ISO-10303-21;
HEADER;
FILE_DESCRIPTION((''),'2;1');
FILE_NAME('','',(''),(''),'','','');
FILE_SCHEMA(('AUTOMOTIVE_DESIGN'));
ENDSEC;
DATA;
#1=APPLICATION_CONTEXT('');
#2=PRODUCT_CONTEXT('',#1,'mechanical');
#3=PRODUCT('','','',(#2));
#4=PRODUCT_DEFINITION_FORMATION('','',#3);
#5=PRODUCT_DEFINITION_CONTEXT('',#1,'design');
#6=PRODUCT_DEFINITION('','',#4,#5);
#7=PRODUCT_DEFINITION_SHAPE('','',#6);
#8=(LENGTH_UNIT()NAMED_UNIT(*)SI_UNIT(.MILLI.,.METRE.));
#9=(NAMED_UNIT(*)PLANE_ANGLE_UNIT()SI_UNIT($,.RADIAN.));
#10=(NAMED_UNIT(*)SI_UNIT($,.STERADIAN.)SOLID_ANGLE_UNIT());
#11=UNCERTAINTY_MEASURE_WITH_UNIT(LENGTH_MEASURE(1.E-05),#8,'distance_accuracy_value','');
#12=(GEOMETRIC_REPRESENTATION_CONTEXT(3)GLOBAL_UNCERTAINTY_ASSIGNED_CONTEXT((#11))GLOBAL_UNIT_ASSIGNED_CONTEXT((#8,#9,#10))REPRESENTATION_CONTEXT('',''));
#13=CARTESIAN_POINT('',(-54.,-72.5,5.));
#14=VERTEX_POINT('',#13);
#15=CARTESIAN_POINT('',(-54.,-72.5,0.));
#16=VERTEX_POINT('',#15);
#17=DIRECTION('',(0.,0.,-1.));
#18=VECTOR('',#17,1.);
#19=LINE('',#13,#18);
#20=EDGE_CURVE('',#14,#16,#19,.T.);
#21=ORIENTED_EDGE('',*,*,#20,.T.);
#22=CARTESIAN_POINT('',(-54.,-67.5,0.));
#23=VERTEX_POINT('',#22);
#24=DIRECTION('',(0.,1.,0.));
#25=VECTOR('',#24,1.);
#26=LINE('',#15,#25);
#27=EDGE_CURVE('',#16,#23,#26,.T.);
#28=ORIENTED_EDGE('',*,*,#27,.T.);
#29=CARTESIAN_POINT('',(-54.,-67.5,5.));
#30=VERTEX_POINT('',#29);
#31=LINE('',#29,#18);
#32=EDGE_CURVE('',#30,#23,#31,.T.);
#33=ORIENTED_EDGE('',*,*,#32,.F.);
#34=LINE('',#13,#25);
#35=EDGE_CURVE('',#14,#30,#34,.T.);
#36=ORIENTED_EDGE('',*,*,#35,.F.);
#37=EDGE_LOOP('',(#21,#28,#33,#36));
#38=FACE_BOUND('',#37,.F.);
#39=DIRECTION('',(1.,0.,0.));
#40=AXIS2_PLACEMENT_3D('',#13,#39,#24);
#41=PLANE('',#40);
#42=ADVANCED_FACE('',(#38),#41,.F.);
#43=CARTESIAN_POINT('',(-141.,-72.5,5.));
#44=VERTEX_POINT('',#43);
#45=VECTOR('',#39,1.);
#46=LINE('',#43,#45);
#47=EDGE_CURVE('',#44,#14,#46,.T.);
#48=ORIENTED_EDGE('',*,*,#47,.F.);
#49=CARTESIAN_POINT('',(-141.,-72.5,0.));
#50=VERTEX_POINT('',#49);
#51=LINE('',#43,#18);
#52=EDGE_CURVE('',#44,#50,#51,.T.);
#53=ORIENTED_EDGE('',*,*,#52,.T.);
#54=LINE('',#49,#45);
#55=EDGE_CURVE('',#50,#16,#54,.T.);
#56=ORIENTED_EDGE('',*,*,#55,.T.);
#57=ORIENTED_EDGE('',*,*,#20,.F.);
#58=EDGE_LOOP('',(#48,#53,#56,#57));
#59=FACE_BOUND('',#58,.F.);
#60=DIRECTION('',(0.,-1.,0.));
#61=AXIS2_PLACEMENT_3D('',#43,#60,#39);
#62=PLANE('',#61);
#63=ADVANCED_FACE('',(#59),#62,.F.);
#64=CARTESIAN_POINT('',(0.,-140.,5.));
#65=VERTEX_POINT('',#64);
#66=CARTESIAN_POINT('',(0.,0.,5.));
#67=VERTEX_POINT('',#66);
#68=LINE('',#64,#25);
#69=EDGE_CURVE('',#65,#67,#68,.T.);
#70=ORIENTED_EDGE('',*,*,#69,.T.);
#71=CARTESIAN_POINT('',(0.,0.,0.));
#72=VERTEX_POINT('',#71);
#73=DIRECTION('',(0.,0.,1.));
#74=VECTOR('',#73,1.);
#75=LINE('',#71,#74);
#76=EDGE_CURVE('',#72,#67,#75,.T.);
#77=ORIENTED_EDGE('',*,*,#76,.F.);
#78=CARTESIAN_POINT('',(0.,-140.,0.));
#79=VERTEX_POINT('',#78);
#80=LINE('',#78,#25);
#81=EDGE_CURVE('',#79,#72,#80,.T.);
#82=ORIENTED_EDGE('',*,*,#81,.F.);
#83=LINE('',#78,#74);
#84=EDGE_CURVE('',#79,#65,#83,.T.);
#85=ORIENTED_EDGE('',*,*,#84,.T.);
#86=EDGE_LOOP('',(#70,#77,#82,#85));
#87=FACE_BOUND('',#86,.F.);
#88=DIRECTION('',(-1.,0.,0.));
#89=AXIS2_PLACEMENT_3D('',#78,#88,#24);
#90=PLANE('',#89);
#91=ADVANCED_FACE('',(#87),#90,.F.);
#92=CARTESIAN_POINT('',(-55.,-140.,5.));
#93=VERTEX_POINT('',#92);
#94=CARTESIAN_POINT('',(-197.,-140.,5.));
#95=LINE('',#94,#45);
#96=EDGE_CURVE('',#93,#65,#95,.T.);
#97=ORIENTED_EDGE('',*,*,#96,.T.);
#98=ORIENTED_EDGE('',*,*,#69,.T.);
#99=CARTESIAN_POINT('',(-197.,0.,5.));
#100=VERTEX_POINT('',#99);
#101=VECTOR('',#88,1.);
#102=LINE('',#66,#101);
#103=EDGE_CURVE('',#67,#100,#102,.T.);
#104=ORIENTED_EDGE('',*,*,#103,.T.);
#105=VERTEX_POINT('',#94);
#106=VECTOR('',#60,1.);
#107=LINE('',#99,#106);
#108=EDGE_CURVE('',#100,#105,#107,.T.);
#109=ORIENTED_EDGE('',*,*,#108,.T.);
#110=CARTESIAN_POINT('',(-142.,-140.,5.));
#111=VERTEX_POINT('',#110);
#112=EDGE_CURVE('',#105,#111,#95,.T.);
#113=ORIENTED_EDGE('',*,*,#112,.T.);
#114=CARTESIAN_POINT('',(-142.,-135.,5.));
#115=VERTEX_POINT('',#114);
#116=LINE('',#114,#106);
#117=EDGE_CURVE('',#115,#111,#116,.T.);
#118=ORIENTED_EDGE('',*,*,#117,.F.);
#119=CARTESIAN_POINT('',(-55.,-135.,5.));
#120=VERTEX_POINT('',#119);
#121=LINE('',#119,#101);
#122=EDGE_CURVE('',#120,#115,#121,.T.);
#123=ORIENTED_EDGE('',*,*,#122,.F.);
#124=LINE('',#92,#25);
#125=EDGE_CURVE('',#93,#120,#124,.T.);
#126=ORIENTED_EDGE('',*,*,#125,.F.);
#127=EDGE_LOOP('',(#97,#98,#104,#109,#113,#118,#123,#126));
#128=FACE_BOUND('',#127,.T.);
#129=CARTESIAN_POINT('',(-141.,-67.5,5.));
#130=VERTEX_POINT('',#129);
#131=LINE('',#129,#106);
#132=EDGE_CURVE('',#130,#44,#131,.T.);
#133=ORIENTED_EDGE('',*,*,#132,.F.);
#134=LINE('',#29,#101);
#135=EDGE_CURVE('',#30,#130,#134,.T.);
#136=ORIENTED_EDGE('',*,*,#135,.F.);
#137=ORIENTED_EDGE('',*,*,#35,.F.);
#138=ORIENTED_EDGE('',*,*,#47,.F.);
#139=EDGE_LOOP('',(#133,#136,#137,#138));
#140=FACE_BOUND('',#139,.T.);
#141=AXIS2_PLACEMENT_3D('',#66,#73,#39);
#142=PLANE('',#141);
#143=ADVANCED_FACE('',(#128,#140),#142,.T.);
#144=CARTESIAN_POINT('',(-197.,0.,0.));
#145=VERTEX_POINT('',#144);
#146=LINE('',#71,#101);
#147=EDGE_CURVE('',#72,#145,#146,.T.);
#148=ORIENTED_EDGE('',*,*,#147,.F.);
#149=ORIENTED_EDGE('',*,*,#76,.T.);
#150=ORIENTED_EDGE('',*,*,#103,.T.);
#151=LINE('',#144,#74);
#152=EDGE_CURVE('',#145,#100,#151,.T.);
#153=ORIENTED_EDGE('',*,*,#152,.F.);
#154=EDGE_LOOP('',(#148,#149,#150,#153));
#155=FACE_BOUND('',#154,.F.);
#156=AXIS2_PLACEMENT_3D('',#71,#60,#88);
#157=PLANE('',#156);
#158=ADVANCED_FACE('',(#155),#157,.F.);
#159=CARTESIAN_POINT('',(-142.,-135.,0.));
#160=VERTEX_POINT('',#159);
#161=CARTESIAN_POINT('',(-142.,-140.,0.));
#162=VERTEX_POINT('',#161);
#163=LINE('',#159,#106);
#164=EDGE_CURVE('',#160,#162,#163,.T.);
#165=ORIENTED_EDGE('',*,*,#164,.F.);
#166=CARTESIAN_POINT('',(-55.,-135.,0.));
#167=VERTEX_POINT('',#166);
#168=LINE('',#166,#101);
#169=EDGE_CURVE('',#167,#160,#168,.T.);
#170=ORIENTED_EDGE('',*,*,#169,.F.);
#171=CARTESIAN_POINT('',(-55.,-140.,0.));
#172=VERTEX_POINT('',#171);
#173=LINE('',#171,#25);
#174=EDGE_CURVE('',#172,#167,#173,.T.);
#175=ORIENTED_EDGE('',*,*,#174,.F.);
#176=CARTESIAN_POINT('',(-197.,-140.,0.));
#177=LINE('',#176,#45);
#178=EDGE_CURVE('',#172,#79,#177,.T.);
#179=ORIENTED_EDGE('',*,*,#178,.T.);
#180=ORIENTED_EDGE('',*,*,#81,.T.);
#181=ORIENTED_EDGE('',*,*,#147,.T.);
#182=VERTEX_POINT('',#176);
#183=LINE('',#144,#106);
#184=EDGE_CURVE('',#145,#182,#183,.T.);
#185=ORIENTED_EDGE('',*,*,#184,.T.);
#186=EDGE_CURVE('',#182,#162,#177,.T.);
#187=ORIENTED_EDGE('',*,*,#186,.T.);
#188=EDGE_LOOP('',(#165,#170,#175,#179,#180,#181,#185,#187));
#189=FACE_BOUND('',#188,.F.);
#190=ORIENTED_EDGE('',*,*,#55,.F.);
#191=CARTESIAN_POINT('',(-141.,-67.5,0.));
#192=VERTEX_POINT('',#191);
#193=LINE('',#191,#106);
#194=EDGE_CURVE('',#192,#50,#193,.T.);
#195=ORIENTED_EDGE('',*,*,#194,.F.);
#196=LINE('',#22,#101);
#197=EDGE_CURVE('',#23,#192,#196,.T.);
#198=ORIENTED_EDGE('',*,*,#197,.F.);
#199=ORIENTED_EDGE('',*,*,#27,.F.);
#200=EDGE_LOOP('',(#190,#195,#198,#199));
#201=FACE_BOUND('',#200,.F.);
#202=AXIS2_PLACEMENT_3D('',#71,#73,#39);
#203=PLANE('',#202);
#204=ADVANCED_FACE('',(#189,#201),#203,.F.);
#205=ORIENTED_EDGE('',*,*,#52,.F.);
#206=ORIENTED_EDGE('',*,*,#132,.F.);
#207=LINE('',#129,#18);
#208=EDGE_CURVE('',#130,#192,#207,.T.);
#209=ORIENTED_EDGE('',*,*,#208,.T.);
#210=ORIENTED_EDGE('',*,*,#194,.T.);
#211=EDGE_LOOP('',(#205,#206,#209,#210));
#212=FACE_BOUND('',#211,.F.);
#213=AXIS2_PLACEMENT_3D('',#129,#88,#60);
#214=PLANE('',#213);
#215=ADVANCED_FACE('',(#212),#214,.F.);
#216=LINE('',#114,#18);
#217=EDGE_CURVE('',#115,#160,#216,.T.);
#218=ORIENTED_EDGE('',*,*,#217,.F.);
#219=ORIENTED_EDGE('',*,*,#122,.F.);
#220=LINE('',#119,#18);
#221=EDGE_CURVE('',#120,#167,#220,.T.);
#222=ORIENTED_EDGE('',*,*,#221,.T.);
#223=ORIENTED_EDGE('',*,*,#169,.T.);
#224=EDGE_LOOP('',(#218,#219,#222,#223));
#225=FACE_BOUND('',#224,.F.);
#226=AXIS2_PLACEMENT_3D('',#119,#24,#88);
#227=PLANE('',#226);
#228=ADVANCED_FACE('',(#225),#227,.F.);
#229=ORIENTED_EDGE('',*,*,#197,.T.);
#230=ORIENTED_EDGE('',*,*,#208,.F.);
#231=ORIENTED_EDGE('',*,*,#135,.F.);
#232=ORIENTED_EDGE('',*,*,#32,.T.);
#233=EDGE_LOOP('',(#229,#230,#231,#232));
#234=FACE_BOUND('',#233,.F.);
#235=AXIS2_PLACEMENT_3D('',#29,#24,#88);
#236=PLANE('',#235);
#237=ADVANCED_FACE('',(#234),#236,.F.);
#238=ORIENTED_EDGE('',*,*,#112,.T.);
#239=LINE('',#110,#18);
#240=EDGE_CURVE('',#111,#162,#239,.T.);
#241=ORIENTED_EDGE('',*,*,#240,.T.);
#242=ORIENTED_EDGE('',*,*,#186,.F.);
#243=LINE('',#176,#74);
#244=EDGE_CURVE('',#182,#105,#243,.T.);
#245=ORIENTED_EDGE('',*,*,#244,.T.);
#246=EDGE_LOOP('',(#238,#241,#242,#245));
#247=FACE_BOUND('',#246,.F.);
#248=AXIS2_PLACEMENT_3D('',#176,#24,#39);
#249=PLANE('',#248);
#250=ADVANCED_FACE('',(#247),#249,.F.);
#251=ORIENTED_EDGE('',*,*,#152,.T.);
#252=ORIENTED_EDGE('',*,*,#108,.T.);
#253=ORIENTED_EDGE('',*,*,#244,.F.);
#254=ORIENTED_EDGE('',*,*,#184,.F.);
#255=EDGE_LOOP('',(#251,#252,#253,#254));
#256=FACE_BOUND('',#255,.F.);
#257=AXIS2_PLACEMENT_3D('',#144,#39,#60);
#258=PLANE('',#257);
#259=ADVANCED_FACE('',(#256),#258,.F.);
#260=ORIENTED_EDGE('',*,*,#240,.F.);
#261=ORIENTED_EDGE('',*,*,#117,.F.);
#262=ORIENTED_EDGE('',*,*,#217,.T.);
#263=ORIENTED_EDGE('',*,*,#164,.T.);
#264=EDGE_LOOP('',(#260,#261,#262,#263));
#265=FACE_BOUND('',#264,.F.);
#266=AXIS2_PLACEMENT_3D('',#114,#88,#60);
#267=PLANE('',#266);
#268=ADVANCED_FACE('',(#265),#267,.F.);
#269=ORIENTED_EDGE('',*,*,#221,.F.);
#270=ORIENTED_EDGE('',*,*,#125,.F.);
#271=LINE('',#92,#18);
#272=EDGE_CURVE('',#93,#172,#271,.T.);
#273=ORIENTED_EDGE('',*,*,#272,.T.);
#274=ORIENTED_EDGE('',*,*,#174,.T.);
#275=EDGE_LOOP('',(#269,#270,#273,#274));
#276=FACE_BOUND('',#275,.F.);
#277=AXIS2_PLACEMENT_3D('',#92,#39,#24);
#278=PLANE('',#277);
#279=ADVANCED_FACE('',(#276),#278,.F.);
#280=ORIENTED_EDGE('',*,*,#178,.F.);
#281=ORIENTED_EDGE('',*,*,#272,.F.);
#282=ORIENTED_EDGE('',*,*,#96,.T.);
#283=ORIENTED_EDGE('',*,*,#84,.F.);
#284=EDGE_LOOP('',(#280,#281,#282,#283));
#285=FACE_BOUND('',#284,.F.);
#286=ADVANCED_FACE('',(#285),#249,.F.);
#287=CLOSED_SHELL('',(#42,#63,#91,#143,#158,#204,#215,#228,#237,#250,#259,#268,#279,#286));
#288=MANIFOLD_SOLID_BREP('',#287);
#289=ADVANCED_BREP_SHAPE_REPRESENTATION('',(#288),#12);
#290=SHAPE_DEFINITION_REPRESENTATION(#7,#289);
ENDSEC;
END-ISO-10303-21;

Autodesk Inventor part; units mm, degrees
ref_plane "YZ Plane" through (0, 0, 0) normal (1, 0, 0) x (0, 1, 0)
ref_plane "XZ Plane" through (0, 0, 0) normal (0, 1, 0) x (-1, 0, 0)
ref_plane "XY Plane" through (0, 0, 0) normal (0, 0, 1) x (1, 0, 0)
sketch "Sketch1" plane through (0, 0, 0) normal (0, 0, 1) x (1, 0, 0)
  line L0 (0, 0) -> (-197, 0)
  line L1 (-197, 0) -> (-197, -140)
  line L2 (-197, -140) -> (0, -140)
  line L3 (0, -140) -> (0, 0)
  dimension "d0" = 140
  dimension "d1" = 197
extrude "Extrusion1" add sketch "Sketch1" along normal blind 5
sketch "Sketch3" plane through (0, 0, 5) normal (0, 0, 1) x (1, 0, 0)
  line L0 (0, 0) -> (-197, 0) projected
  line L1 (0, -140) -> (0, 0) projected
  line L2 (-197, -140) -> (0, -140) projected
  line L3 (-197, 0) -> (-197, -140) projected
  line L4 (-142, -140) -> (-55, -140)
  line L5 (-55, -140) -> (-55, -135)
  line L6 (-55, -135) -> (-142, -135)
  line L7 (-142, -135) -> (-142, -140)
  line L8 (-141, -72.5) -> (-54, -72.5)
  line L9 (-54, -72.5) -> (-54, -67.5)
  line L10 (-54, -67.5) -> (-141, -67.5)
  line L11 (-141, -67.5) -> (-141, -72.5)
  point P0 (-55, -140)
  dimension "d13" = 5
  dimension "d14" = 55
  dimension "d15" = 55
  dimension "d16" = 5
  dimension "d17" = 72.5
extrude "Extrusion3" cut sketch "Sketch3" against normal blind 5 contours L2 L7 L6 L5 | L11 L10 L9 L8
properties part number "Frente"
